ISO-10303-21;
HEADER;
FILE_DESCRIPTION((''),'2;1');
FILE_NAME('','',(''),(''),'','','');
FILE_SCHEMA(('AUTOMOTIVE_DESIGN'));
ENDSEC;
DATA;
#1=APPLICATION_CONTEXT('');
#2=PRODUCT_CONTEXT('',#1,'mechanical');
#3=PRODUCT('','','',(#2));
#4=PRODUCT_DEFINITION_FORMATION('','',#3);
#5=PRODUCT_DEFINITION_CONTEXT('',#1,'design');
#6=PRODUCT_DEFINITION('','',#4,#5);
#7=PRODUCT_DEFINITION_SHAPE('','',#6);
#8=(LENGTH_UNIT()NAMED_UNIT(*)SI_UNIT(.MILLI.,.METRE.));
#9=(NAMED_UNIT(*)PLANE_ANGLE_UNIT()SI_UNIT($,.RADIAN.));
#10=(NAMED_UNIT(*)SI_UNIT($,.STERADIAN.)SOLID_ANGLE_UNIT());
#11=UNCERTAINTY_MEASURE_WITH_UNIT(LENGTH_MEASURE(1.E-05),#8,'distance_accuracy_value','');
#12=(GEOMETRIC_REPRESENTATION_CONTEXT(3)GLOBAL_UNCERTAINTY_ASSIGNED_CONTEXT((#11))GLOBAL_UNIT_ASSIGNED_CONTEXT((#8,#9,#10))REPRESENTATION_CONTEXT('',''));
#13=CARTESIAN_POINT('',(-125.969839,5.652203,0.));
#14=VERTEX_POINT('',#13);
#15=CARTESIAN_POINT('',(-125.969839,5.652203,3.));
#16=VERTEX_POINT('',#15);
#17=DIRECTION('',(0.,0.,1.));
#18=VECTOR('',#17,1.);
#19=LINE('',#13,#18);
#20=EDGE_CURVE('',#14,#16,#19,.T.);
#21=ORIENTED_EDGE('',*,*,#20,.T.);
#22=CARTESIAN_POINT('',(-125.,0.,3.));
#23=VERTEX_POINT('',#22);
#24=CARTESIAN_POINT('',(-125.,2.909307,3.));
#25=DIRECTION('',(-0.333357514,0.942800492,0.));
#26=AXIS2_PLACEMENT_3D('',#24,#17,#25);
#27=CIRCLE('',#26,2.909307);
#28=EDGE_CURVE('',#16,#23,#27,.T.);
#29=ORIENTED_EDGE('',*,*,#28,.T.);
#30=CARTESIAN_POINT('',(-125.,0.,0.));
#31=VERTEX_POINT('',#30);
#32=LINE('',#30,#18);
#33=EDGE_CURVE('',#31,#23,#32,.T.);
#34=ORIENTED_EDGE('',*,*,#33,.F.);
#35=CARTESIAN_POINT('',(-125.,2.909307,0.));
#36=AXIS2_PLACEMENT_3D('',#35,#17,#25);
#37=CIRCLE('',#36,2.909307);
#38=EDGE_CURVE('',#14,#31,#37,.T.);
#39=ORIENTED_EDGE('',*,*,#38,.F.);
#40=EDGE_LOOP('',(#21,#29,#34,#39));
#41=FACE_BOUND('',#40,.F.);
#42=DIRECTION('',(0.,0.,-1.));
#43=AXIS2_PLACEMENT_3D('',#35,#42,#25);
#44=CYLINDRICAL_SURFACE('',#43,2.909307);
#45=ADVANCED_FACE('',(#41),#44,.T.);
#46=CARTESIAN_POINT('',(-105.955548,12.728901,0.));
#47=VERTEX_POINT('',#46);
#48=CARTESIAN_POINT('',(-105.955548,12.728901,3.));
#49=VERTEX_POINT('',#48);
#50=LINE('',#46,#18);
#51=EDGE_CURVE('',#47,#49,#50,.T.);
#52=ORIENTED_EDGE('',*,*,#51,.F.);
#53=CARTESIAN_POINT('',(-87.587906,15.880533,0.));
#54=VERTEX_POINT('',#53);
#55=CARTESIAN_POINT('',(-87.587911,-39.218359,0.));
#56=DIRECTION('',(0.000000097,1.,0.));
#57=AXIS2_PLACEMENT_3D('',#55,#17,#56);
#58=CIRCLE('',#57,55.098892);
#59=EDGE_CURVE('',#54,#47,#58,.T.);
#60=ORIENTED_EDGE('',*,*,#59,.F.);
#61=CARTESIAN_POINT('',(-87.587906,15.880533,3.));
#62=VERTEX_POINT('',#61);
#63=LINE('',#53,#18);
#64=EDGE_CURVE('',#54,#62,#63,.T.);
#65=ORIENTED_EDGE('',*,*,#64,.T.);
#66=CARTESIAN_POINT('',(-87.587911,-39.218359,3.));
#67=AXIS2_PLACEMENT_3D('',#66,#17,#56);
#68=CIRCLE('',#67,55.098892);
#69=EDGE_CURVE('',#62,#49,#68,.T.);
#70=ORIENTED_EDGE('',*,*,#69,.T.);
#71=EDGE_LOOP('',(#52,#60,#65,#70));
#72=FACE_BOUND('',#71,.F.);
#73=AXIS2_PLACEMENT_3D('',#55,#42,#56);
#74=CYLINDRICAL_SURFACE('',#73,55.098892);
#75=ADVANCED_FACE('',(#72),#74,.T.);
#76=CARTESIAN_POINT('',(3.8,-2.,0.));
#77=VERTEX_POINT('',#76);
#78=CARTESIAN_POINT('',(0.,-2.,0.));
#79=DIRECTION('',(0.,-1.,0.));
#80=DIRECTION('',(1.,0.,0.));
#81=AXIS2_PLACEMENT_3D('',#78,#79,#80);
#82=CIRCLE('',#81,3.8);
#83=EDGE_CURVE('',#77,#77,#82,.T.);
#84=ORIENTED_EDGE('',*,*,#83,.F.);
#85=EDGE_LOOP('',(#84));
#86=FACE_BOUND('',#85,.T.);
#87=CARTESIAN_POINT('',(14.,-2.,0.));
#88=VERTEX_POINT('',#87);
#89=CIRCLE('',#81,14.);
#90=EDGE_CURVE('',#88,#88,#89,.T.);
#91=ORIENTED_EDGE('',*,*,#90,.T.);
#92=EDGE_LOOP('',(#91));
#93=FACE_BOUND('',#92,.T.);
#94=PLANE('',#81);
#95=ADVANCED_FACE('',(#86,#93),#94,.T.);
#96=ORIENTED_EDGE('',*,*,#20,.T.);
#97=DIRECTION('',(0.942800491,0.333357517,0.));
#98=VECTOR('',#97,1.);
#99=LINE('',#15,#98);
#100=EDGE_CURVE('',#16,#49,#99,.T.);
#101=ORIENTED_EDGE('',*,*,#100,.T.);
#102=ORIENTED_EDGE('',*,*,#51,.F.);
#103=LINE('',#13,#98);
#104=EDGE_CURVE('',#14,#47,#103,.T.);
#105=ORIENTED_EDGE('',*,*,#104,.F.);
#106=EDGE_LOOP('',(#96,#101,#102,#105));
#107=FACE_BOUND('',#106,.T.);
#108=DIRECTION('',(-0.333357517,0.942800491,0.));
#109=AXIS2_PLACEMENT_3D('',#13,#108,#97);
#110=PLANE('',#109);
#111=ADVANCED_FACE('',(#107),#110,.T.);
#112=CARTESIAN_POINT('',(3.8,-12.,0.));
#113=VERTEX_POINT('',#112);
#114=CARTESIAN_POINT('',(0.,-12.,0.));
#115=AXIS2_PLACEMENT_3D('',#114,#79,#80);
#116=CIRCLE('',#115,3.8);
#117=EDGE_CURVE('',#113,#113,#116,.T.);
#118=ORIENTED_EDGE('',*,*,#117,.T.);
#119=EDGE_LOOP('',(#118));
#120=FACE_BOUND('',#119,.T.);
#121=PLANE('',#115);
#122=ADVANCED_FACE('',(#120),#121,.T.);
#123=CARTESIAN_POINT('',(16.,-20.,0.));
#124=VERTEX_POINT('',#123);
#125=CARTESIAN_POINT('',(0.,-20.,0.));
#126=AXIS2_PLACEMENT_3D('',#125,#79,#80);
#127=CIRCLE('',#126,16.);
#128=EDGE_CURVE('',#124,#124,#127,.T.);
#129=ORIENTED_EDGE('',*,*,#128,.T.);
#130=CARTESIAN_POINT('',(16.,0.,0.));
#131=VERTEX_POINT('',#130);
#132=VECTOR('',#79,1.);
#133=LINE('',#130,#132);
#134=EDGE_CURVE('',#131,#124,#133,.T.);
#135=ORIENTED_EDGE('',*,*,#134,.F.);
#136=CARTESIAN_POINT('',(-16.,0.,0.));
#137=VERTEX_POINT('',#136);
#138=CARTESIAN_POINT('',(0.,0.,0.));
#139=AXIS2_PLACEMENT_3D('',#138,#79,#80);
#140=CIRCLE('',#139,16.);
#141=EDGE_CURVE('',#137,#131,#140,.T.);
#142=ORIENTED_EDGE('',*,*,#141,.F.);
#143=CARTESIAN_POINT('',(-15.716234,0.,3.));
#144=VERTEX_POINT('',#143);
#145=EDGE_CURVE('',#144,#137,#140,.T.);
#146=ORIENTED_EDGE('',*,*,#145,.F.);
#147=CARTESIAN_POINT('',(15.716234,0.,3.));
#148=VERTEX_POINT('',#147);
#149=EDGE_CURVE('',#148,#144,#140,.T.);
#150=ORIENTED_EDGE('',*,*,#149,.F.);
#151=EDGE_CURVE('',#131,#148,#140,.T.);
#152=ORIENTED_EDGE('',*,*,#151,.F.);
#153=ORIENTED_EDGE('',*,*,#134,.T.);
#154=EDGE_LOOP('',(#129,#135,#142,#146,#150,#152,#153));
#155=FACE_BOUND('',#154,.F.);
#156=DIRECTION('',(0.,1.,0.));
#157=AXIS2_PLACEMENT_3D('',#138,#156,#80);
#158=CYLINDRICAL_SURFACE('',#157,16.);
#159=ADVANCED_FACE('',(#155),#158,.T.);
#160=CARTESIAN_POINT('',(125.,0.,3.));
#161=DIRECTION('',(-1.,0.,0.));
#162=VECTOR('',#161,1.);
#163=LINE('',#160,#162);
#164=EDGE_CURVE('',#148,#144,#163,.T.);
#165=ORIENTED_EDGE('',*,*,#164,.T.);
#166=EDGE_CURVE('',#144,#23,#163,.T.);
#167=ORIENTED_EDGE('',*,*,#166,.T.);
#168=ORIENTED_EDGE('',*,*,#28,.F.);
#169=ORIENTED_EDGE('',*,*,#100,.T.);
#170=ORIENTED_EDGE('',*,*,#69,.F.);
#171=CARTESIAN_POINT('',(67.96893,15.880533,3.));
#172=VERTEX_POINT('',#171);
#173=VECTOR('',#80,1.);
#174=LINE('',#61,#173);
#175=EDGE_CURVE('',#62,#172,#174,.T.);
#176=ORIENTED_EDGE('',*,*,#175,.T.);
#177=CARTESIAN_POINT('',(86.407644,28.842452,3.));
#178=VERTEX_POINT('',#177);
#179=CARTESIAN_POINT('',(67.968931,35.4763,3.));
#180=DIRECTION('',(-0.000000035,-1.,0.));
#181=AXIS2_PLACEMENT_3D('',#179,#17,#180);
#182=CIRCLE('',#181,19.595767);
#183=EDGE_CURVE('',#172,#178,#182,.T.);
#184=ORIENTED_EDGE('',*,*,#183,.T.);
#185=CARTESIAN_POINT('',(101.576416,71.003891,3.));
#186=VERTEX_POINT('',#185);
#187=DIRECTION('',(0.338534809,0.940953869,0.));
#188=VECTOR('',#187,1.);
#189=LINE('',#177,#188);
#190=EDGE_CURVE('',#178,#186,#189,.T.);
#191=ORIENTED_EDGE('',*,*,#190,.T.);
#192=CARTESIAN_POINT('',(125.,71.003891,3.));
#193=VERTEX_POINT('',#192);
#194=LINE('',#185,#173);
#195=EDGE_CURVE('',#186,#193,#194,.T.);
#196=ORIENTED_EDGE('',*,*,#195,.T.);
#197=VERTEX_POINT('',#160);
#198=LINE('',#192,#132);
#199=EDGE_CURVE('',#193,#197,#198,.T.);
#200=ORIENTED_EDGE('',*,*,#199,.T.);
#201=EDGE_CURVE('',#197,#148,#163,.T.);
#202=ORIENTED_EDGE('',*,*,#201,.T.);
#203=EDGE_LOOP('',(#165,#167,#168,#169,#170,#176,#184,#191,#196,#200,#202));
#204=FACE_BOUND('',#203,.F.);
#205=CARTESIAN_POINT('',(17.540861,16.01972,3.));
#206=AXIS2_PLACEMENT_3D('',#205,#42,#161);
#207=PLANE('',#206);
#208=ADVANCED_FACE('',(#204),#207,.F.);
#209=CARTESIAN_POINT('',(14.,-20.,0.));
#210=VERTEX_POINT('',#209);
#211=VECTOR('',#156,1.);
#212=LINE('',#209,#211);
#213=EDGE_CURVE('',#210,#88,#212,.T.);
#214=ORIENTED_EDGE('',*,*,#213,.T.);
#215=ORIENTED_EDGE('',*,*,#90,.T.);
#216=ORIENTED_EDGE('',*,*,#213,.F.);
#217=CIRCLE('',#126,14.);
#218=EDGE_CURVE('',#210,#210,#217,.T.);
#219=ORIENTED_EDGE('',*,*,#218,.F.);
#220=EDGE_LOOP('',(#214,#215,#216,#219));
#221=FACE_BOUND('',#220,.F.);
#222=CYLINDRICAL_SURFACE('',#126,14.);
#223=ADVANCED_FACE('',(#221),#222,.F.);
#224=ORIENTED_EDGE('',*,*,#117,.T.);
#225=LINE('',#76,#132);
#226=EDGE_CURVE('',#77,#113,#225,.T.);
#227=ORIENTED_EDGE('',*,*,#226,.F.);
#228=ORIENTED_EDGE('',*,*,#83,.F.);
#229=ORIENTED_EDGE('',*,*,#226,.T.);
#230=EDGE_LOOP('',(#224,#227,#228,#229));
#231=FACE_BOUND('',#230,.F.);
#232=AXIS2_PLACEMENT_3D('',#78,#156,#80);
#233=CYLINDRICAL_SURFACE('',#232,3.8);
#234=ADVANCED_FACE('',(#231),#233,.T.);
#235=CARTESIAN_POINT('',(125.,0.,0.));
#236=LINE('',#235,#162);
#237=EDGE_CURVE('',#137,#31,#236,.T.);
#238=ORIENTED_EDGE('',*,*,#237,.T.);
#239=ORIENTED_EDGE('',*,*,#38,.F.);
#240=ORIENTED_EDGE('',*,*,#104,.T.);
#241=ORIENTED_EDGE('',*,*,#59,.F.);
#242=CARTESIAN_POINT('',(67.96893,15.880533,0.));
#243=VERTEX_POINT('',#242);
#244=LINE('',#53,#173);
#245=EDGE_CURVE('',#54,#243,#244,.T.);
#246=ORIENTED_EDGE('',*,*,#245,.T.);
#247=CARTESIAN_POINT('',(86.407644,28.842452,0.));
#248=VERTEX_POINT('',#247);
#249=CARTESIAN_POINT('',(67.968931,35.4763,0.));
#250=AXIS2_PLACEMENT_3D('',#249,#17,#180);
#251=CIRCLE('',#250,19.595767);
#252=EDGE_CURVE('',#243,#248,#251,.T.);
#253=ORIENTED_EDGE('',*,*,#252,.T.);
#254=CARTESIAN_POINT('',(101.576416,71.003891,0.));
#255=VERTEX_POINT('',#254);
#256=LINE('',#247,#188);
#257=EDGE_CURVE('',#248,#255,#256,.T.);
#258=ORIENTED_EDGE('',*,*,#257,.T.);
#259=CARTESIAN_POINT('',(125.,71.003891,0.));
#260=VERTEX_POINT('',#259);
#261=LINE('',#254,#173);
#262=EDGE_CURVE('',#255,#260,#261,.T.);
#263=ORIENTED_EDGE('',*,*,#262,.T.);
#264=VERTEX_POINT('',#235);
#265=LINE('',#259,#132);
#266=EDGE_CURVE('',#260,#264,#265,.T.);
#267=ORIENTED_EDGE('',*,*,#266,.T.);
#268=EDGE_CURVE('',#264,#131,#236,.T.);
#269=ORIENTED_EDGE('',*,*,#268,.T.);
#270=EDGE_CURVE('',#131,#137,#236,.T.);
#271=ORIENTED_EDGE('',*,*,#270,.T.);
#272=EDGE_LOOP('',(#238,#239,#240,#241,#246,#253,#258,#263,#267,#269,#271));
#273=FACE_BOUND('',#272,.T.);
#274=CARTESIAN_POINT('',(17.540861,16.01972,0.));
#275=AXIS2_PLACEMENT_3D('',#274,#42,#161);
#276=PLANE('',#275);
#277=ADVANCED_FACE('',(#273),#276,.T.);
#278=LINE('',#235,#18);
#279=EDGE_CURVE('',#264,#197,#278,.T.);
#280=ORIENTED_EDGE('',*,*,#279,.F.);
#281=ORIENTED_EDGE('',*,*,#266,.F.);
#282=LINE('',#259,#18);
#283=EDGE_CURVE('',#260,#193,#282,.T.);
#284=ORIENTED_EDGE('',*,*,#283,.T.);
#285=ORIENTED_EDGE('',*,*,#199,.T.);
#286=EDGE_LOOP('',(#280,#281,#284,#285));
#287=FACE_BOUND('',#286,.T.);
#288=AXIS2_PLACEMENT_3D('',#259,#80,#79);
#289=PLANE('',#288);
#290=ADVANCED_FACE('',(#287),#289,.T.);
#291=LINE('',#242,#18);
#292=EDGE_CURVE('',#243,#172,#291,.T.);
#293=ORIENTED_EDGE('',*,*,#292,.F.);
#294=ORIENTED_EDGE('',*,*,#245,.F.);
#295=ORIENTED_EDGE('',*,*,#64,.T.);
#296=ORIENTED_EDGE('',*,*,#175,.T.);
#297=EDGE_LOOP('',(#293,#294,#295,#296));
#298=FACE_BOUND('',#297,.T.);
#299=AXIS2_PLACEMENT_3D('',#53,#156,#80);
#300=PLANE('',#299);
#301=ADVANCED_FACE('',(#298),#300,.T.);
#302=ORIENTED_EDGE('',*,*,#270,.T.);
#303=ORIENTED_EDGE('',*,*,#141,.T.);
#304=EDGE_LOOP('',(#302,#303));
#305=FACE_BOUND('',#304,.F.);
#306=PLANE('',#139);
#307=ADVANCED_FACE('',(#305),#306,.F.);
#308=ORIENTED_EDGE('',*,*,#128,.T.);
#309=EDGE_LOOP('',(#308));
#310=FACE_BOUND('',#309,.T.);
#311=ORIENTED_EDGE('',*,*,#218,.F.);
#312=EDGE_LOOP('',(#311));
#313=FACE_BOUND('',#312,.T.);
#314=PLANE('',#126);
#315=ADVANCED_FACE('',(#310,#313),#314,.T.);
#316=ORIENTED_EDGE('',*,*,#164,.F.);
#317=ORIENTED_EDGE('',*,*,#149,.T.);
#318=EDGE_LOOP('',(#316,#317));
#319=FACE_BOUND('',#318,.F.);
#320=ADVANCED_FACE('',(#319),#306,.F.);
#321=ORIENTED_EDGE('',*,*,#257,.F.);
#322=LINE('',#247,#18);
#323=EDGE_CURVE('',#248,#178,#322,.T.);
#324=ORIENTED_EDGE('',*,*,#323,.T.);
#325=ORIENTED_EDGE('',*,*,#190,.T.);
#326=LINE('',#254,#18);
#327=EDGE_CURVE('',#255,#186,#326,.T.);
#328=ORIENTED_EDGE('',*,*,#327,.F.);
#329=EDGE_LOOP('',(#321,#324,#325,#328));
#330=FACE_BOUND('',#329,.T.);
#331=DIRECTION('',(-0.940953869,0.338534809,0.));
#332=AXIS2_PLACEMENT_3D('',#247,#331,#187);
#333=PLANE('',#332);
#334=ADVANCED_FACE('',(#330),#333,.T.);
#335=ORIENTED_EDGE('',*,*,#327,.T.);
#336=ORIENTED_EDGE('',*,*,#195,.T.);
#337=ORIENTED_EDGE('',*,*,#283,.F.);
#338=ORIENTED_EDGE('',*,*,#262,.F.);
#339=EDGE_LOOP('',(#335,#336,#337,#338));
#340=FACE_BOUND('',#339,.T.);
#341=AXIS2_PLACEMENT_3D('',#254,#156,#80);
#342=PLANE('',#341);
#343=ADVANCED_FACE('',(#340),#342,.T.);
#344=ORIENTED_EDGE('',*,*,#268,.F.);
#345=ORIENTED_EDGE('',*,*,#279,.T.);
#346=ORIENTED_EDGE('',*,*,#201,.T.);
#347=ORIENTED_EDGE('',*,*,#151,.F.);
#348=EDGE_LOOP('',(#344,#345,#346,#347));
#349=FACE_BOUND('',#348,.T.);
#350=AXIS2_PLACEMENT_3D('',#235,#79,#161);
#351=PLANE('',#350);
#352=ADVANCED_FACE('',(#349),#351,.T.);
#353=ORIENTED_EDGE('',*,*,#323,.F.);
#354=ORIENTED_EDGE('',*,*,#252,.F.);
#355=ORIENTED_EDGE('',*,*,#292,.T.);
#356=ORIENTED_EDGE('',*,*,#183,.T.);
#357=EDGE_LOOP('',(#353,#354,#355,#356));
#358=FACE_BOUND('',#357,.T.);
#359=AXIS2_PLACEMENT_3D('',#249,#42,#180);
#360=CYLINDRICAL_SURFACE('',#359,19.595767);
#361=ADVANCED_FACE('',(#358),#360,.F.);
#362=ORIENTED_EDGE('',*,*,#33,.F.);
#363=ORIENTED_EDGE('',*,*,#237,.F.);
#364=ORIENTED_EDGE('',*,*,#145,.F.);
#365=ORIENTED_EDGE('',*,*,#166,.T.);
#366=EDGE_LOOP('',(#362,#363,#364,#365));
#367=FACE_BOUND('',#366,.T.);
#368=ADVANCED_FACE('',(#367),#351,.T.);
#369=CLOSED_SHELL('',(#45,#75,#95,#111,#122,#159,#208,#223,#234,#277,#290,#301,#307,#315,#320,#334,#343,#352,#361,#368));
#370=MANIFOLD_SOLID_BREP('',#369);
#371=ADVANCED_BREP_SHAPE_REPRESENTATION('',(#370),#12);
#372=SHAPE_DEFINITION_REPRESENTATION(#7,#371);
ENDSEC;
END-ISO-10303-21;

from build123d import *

# Parameters (mm, degrees)
PAD_DEPTH    = 3
SKETCH001_R  = 16
PAD001_DEPTH = 20
SKETCH002_R  = 14
POCKET_DEPTH = 18
SKETCH003_R  = 3.8
PAD002_DEPTH = 10


with BuildPart() as part:
    # Sketch → Pad (new body)
    with BuildSketch(Plane.XY):
        with BuildLine():
            Line((-125.969839, 5.652203), (-105.955548, 12.728901))
            ThreePointArc((-87.587906, 15.880533), (-96.90594, 15.08691), (-105.955548, 12.728901))
            Line((-87.587906, 15.880533), (-56.304531, 15.880533))
            Line((-56.304531, 15.880533), (67.96893, 15.880533))
            ThreePointArc((67.96893, 15.880533), (79.23833, 19.445245), (86.407644, 28.842452))
            Line((86.407644, 28.842452), (101.576416, 71.003891))
            Line((101.576416, 71.003891), (125, 71.003891))
            Line((125, 71.003891), (125, 0))
            Line((125, 0), (-125, 0))
            ThreePointArc((-125.969839, 5.652203), (-127.867402, 2.4173), (-125, 0))
        make_face()
    extrude(amount=PAD_DEPTH)

    # Sketch001 (on Face9 of Pad) → Pad001 (join)
    with BuildSketch(Plane.XZ):
        Circle(SKETCH001_R)
    extrude(amount=PAD001_DEPTH)

    # Sketch002 (on Face17 of Pad001) → Pocket (cut)
    with BuildSketch(Plane.XZ.offset(20)):
        Circle(SKETCH002_R)
    extrude(amount=-POCKET_DEPTH, mode=Mode.SUBTRACT)

    # Sketch003 (on Face19 of Pocket) → Pad002 (join)
    with BuildSketch(Plane.XZ.offset(2)):
        Circle(SKETCH003_R)
    extrude(amount=PAD002_DEPTH)


solid = part.part
